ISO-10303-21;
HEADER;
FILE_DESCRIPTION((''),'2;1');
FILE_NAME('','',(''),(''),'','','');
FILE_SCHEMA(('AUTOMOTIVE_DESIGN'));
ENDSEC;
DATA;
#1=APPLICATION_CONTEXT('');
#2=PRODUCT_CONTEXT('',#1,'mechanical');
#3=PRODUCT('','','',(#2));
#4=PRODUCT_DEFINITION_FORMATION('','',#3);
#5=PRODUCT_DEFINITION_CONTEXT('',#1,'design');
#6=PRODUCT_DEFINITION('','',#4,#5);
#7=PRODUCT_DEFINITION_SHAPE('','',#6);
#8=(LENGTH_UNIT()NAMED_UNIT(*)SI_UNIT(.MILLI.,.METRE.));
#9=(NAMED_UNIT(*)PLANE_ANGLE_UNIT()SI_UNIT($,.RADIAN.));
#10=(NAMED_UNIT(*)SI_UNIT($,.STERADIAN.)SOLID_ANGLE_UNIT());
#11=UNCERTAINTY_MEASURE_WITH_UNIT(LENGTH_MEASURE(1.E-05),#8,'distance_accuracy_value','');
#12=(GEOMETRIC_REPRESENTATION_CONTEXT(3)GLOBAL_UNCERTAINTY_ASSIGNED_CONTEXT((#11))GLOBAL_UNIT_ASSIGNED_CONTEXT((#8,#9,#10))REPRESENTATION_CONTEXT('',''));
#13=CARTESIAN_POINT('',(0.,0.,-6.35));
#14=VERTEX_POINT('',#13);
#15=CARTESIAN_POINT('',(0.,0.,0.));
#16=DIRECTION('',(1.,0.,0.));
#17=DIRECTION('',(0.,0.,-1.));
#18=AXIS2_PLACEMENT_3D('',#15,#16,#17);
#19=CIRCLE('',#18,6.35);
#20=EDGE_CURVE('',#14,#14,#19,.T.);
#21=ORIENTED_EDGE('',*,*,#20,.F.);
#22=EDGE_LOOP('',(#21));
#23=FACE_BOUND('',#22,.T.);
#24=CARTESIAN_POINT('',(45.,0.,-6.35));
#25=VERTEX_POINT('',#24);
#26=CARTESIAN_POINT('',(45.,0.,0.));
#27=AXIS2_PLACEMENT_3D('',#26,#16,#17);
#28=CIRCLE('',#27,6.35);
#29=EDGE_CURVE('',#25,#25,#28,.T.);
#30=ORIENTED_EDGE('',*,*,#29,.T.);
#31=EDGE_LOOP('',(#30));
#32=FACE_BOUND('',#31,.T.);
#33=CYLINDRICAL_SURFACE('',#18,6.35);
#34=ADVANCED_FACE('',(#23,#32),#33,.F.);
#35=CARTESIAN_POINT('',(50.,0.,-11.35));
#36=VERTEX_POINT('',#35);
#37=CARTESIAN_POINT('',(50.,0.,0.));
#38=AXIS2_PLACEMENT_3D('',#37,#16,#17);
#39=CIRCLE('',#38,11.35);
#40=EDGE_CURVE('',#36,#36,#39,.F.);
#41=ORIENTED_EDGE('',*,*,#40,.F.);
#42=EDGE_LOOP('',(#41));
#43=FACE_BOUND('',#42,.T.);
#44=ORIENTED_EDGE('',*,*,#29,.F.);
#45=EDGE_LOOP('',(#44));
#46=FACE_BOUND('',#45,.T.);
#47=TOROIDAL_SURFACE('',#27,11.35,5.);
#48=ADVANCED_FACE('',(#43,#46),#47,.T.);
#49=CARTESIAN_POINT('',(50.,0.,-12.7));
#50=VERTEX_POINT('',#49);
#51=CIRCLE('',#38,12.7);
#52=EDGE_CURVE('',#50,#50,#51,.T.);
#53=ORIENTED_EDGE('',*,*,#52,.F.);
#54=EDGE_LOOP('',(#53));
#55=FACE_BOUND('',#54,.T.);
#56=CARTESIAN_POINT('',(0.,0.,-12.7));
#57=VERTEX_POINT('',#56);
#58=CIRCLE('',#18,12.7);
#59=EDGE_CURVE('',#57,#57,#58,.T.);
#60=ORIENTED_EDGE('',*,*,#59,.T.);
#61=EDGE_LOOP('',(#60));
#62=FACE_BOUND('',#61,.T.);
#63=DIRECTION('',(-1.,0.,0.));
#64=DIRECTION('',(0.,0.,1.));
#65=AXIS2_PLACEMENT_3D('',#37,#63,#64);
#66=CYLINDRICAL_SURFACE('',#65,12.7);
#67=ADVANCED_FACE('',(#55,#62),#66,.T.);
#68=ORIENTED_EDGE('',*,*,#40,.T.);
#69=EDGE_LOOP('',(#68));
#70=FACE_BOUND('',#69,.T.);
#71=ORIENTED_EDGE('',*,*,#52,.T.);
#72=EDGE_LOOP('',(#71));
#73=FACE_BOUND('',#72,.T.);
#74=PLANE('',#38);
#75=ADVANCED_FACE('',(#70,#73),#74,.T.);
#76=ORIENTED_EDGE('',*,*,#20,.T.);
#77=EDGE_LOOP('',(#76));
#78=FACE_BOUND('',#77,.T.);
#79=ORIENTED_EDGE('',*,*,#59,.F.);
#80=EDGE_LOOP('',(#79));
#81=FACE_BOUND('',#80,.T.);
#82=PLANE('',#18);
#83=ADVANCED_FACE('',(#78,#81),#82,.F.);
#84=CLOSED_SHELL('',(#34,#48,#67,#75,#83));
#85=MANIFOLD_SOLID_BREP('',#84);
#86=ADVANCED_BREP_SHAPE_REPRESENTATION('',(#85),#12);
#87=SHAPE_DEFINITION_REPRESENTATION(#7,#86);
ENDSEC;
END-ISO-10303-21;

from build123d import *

# Parameters (mm, degrees)
SKETCH1_R           = 12.7
BOSS_EXTRUDE1_DEPTH = 50
SKETCH2_R           = 6.35
CUT_EXTRUDE1_DEPTH  = 51
FILLET1_R           = 5


with BuildPart() as part:
    # Sketch1 → Boss-Extrude1 (new body)
    with BuildSketch(Plane(origin=(0, 0, 0), x_dir=(0, 0, -1), z_dir=(1, 0, 0))):
        Circle(SKETCH1_R)
    extrude(amount=BOSS_EXTRUDE1_DEPTH)

    # Sketch2 → Cut-Extrude1 (cut, through all)
    with BuildSketch(Plane(origin=(50, 0, 0), x_dir=(0, 0, -1), z_dir=(1, 0, 0))):
        Circle(SKETCH2_R)
    extrude(amount=-CUT_EXTRUDE1_DEPTH, mode=Mode.SUBTRACT)

    # Fillet1
    fillet1_edges = [part.edges().sort_by_distance(p)[0] for p in [
        (50, 0, 6.35),
    ]]
    fillet(fillet1_edges, radius=FILLET1_R)


solid = part.part
